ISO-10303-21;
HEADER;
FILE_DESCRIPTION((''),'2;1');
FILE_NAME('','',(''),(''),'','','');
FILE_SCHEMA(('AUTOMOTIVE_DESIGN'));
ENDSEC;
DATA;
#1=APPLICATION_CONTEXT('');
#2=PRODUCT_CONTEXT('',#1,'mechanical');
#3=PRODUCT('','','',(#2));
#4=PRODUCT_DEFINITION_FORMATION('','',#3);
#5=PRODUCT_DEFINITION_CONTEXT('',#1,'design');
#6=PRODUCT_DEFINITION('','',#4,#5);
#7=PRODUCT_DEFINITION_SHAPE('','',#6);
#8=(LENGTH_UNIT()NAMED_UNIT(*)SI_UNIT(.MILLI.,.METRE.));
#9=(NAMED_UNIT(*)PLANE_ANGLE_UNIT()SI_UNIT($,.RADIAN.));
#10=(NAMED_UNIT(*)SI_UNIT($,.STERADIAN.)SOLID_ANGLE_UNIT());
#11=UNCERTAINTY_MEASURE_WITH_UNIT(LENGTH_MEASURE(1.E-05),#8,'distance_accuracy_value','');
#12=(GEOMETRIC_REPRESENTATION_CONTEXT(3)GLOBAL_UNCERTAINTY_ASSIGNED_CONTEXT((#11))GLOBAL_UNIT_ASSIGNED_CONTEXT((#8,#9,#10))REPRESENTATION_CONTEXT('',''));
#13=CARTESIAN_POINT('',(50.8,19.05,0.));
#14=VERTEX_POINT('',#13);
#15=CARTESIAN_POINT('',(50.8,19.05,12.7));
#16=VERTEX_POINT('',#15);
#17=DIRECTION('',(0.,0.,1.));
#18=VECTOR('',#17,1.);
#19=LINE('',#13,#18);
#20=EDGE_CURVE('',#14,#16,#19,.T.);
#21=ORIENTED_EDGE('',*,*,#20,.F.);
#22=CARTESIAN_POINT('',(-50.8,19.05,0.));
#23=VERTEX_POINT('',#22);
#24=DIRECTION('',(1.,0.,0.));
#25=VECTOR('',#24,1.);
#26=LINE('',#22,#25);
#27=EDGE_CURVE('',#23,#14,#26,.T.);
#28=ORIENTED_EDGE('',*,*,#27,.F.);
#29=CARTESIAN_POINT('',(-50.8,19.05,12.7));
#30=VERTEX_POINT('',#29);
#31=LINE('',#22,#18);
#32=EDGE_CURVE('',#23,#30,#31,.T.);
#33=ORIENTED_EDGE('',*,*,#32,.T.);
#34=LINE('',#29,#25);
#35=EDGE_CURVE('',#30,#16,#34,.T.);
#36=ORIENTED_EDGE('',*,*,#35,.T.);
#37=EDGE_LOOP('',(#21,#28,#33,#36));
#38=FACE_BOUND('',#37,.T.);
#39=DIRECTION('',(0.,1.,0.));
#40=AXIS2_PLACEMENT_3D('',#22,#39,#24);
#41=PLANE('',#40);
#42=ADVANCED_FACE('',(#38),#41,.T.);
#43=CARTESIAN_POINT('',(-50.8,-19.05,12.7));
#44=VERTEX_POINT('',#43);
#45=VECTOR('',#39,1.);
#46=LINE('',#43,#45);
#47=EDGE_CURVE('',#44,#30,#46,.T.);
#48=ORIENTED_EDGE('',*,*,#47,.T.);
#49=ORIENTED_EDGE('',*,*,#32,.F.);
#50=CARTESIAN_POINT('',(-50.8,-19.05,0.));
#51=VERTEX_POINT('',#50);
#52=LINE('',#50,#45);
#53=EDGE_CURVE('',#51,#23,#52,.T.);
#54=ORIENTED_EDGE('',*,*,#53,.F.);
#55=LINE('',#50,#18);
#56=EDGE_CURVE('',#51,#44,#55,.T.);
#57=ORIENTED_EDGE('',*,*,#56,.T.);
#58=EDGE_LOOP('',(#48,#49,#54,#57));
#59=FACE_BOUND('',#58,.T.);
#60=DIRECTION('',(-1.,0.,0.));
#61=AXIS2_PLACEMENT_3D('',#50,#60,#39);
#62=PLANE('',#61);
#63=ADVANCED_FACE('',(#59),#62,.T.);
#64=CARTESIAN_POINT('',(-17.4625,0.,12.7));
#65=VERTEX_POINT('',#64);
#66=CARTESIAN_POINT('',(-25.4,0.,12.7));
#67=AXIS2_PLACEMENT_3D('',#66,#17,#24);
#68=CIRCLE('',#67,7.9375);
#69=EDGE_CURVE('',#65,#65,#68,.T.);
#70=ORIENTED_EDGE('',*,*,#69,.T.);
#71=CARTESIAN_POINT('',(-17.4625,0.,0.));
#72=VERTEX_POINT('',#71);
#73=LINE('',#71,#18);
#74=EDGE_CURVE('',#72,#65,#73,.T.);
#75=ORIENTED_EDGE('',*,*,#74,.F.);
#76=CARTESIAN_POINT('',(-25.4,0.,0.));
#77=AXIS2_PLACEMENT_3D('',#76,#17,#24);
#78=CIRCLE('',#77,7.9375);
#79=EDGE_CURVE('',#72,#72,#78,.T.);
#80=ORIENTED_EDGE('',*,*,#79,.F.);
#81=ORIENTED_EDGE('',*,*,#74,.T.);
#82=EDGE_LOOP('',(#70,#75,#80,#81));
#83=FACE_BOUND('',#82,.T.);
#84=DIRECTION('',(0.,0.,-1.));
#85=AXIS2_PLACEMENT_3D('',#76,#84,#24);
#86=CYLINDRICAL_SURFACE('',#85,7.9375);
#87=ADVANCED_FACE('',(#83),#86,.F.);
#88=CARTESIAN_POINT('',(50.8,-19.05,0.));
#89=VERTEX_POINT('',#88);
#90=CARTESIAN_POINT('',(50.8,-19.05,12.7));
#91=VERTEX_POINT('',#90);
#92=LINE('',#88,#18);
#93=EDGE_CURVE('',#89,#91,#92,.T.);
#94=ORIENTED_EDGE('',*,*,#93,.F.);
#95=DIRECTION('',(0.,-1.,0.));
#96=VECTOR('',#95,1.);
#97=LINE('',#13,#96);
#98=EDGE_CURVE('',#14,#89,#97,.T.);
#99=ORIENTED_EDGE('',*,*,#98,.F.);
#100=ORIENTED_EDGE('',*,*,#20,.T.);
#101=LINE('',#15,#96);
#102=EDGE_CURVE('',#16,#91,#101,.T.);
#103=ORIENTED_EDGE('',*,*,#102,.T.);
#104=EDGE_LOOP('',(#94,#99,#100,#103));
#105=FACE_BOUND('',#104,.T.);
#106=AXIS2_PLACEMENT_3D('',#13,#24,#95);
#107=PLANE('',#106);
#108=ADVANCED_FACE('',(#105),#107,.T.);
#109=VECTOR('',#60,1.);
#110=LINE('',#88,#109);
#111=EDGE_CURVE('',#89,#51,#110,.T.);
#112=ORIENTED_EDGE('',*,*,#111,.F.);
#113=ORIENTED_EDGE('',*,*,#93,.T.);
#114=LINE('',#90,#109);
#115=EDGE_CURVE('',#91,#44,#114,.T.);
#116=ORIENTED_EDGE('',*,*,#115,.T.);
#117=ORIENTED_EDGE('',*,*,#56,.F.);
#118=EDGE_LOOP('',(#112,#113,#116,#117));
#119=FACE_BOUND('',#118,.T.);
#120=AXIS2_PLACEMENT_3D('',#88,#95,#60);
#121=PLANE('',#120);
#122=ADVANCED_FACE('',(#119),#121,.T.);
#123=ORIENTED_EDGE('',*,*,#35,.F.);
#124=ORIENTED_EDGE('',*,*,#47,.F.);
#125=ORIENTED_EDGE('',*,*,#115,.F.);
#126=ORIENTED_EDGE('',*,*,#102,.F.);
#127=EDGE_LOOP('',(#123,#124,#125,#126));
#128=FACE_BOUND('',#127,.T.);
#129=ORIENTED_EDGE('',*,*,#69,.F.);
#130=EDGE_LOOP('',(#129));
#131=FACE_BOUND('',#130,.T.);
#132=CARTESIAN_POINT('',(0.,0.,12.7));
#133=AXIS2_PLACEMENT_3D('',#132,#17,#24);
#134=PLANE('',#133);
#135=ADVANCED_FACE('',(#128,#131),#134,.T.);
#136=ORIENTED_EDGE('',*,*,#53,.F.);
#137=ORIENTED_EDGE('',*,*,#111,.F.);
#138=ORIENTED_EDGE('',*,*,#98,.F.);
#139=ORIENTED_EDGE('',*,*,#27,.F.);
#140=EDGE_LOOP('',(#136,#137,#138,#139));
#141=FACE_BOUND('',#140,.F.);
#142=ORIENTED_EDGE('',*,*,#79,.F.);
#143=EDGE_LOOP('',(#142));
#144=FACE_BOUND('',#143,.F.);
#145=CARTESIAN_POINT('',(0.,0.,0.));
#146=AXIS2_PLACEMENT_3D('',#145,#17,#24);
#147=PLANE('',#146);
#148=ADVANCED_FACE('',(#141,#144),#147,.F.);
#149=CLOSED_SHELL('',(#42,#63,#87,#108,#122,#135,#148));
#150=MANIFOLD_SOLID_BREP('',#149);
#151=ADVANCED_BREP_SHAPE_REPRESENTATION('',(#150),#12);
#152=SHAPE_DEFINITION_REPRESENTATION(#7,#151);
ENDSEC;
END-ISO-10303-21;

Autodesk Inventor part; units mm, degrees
ref_plane "YZ Plane" through (0, 0, 0) normal (1, 0, 0) x (0, 1, 0)
ref_plane "XZ Plane" through (0, 0, 0) normal (0, 1, 0) x (-1, 0, 0)
ref_plane "XY Plane" through (0, 0, 0) normal (0, 0, 1) x (1, 0, 0)
sketch "Sketch1" plane through (0, 0, 0) normal (0, 0, 1) x (1, 0, 0)
  line L0 (50.8, -19.05) -> (-50.8, -19.05)
  line L1 (-50.8, -19.05) -> (-50.8, 19.05)
  line L2 (-50.8, 19.05) -> (50.8, 19.05)
  line L3 (50.8, 19.05) -> (50.8, -19.05)
  line L4 (50.8, -19.05) -> (-50.8, 19.05) construction
  line L5 (-50.8, -19.05) -> (50.8, 19.05) construction
  circle A0 centre (-25.4, 0) radius 7.9375
  point P0 (0, 0)
  dimension "d0" = 38.1
  dimension "d1" = 101.6
  dimension "d2" = 15.875
  dimension "d3" = 25.4
extrude "Extrusion1" add sketch "Sketch1" along normal blind 12.7
equation "\"d0\" = Fixture_Width"
equation "\"d1\" = Fixture_Length"
equation "\"d2\" = Main_Shaft_Diameter"
equation "\"d4\" = Fixture_Thickness"
equation "\"Fixture_Width\" = 38.1"
equation "\"Fixture_Length\" = 101.6"
equation "\"Main_Shaft_Diameter\" = 15.875"
equation "\"Fixture_Thickness\" = 12.7"
properties part number "Weight_Bottom_Fixture" material "Aluminum, Anodized Black"
